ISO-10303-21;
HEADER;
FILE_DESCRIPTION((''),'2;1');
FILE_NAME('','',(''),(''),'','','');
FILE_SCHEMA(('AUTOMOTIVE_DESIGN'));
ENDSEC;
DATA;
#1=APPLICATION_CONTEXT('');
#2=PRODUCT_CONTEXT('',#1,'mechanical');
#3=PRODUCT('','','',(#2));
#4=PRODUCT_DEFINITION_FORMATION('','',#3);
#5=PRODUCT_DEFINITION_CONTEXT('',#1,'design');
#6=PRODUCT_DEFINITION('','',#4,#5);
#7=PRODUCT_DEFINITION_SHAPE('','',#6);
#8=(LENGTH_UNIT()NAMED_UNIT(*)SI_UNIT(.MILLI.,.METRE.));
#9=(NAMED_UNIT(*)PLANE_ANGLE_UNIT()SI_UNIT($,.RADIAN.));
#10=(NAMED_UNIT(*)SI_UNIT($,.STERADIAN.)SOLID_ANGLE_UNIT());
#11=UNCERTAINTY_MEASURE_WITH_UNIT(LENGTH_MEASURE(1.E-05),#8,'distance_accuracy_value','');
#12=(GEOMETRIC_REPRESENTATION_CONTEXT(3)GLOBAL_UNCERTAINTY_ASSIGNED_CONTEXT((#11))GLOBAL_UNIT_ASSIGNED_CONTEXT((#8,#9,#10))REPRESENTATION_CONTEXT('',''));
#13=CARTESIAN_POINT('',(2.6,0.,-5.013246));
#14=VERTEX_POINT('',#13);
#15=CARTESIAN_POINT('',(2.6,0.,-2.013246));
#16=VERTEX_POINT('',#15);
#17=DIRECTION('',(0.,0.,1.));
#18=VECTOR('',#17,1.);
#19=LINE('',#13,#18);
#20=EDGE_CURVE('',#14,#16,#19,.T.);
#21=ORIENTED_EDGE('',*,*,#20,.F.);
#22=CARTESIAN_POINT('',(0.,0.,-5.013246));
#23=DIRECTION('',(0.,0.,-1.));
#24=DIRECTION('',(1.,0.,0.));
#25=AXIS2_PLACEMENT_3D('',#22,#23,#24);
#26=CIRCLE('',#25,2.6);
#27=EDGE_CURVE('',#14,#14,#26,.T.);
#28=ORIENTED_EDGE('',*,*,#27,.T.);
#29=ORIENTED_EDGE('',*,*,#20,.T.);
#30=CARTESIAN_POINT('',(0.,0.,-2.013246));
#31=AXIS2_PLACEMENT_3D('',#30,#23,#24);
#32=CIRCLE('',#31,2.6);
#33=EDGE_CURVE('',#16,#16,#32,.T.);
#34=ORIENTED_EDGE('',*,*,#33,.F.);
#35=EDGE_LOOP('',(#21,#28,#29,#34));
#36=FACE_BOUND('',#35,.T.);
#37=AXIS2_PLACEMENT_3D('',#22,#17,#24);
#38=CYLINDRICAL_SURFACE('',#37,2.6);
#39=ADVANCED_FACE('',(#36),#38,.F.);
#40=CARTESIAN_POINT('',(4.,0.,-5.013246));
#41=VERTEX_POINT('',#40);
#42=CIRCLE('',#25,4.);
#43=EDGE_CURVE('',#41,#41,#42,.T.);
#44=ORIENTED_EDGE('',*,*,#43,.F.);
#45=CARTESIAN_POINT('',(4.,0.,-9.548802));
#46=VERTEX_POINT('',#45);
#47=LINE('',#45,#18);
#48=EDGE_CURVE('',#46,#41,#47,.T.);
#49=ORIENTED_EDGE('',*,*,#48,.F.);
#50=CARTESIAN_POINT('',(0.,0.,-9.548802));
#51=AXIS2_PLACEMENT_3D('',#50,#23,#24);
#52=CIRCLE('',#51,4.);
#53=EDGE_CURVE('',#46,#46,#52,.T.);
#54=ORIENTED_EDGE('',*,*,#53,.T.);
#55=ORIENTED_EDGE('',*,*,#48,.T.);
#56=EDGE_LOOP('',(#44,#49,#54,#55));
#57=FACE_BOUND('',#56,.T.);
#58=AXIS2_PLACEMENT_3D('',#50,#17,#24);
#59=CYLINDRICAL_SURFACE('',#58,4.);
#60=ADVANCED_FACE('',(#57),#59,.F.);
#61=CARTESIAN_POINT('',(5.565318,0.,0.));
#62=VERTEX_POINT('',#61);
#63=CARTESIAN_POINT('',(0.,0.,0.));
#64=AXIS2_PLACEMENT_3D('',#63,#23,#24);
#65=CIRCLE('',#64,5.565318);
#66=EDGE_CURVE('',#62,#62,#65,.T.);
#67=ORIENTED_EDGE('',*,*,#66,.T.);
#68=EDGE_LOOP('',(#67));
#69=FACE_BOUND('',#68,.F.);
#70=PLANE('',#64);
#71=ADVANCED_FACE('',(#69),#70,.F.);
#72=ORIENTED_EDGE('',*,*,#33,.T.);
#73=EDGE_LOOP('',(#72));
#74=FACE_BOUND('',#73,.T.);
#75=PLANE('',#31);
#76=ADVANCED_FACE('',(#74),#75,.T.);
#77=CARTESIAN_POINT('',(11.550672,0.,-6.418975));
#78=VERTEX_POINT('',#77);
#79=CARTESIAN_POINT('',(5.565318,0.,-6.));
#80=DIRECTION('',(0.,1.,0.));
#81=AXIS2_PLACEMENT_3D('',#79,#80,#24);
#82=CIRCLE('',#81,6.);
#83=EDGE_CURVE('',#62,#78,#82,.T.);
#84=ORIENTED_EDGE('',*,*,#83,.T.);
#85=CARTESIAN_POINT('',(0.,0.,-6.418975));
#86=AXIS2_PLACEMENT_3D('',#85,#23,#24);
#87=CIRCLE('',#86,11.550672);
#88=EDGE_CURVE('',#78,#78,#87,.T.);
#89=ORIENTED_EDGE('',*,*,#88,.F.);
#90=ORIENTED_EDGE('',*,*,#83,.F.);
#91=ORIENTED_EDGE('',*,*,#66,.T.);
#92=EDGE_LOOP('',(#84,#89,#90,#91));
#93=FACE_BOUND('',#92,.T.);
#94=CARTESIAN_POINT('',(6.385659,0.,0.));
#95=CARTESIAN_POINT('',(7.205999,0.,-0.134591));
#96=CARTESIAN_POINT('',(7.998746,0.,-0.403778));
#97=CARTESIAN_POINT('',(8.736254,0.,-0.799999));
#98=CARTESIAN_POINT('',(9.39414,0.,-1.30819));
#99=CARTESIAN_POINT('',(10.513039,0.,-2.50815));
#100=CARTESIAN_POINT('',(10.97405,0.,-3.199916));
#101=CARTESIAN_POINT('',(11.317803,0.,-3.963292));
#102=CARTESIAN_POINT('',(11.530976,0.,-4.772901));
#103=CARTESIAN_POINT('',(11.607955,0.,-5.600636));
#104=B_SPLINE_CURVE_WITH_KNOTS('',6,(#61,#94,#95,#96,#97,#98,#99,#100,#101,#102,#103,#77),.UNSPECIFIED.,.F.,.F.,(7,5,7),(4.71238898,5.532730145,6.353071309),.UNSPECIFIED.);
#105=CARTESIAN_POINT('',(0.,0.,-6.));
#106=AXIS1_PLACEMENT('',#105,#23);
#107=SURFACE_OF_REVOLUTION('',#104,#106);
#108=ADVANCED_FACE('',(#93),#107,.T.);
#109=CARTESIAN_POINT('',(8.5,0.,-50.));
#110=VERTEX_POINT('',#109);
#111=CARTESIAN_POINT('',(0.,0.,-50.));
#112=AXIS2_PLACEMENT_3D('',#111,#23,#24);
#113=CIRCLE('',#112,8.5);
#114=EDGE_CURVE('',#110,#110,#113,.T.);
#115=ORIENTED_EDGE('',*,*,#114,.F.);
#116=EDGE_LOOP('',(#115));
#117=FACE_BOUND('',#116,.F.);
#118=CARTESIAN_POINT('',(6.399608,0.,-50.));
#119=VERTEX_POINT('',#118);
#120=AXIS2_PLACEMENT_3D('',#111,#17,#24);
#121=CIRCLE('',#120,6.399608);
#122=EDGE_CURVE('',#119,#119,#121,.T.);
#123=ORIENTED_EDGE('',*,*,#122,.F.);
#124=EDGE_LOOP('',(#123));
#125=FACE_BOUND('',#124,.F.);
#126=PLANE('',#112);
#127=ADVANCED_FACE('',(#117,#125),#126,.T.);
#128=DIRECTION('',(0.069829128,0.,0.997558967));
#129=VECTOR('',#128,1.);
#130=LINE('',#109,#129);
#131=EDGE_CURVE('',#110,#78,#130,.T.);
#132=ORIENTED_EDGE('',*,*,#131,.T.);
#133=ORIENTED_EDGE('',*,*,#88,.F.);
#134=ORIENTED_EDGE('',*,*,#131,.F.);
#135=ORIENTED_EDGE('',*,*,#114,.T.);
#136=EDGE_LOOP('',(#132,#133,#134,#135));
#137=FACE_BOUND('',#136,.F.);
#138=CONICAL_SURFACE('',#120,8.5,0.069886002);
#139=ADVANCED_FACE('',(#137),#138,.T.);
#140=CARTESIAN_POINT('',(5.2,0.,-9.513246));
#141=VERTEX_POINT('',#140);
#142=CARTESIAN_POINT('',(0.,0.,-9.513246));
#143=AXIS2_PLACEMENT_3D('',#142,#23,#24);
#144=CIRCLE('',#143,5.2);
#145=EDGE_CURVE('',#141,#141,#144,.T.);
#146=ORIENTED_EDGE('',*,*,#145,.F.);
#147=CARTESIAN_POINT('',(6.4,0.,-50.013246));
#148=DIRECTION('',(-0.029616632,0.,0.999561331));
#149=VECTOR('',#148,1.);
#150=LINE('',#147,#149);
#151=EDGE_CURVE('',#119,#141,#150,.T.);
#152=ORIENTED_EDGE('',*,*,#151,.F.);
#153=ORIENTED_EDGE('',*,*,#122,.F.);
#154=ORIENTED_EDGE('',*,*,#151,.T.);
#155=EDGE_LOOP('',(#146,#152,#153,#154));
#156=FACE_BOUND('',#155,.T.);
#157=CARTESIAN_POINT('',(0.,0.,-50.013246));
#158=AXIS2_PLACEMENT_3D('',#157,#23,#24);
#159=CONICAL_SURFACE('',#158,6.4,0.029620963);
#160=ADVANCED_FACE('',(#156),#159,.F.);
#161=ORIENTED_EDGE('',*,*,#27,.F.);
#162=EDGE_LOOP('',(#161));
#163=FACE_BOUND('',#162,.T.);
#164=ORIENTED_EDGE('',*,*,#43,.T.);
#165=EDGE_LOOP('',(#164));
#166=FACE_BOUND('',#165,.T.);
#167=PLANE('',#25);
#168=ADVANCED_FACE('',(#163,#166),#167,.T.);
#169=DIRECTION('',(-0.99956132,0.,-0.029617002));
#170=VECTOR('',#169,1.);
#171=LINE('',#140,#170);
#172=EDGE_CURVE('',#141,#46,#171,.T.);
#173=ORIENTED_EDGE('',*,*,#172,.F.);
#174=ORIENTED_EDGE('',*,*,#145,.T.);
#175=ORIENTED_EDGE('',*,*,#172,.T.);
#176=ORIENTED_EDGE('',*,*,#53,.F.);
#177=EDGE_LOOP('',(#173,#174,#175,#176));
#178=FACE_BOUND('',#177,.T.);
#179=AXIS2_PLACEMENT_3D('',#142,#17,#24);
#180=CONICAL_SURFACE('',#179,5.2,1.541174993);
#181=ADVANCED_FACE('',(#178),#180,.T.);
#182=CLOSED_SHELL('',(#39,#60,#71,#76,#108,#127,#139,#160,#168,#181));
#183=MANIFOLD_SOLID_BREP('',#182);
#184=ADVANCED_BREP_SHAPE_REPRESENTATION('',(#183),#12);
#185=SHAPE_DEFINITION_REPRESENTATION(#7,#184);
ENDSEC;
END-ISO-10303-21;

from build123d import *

# Parameters (mm, degrees)
F4_R = 6


with BuildPart() as f1:
    # F0 (on Front) → F1 (revolve)
    with BuildSketch(Plane.XZ):
        Polygon((12, 0), (0, 0), (0, -50), (8.5, -50), align=None)
    revolve(axis=Axis((0, 0, -25), (0, 0, -1)))

    # F2 (on Front) → F3 (revolve, cut)
    with BuildSketch(Plane.XZ):
        Polygon((2.6, -2.013246), (0, -2.013246), (0, -50.013246), (6.4, -50.013246), (5.2, -9.513246), (4, -9.548802), (4, -5.013246), (2.6, -5.013246), align=None)
    revolve(axis=Axis((0, 0, -26.013246), (0, 0, -1)), mode=Mode.SUBTRACT)

    # F4
    f4_edges = [f1.edges().sort_by_distance(p)[0] for p in [
        (-12, 0, 0),
    ]]
    fillet(f4_edges, radius=F4_R)


solid = f1.part
